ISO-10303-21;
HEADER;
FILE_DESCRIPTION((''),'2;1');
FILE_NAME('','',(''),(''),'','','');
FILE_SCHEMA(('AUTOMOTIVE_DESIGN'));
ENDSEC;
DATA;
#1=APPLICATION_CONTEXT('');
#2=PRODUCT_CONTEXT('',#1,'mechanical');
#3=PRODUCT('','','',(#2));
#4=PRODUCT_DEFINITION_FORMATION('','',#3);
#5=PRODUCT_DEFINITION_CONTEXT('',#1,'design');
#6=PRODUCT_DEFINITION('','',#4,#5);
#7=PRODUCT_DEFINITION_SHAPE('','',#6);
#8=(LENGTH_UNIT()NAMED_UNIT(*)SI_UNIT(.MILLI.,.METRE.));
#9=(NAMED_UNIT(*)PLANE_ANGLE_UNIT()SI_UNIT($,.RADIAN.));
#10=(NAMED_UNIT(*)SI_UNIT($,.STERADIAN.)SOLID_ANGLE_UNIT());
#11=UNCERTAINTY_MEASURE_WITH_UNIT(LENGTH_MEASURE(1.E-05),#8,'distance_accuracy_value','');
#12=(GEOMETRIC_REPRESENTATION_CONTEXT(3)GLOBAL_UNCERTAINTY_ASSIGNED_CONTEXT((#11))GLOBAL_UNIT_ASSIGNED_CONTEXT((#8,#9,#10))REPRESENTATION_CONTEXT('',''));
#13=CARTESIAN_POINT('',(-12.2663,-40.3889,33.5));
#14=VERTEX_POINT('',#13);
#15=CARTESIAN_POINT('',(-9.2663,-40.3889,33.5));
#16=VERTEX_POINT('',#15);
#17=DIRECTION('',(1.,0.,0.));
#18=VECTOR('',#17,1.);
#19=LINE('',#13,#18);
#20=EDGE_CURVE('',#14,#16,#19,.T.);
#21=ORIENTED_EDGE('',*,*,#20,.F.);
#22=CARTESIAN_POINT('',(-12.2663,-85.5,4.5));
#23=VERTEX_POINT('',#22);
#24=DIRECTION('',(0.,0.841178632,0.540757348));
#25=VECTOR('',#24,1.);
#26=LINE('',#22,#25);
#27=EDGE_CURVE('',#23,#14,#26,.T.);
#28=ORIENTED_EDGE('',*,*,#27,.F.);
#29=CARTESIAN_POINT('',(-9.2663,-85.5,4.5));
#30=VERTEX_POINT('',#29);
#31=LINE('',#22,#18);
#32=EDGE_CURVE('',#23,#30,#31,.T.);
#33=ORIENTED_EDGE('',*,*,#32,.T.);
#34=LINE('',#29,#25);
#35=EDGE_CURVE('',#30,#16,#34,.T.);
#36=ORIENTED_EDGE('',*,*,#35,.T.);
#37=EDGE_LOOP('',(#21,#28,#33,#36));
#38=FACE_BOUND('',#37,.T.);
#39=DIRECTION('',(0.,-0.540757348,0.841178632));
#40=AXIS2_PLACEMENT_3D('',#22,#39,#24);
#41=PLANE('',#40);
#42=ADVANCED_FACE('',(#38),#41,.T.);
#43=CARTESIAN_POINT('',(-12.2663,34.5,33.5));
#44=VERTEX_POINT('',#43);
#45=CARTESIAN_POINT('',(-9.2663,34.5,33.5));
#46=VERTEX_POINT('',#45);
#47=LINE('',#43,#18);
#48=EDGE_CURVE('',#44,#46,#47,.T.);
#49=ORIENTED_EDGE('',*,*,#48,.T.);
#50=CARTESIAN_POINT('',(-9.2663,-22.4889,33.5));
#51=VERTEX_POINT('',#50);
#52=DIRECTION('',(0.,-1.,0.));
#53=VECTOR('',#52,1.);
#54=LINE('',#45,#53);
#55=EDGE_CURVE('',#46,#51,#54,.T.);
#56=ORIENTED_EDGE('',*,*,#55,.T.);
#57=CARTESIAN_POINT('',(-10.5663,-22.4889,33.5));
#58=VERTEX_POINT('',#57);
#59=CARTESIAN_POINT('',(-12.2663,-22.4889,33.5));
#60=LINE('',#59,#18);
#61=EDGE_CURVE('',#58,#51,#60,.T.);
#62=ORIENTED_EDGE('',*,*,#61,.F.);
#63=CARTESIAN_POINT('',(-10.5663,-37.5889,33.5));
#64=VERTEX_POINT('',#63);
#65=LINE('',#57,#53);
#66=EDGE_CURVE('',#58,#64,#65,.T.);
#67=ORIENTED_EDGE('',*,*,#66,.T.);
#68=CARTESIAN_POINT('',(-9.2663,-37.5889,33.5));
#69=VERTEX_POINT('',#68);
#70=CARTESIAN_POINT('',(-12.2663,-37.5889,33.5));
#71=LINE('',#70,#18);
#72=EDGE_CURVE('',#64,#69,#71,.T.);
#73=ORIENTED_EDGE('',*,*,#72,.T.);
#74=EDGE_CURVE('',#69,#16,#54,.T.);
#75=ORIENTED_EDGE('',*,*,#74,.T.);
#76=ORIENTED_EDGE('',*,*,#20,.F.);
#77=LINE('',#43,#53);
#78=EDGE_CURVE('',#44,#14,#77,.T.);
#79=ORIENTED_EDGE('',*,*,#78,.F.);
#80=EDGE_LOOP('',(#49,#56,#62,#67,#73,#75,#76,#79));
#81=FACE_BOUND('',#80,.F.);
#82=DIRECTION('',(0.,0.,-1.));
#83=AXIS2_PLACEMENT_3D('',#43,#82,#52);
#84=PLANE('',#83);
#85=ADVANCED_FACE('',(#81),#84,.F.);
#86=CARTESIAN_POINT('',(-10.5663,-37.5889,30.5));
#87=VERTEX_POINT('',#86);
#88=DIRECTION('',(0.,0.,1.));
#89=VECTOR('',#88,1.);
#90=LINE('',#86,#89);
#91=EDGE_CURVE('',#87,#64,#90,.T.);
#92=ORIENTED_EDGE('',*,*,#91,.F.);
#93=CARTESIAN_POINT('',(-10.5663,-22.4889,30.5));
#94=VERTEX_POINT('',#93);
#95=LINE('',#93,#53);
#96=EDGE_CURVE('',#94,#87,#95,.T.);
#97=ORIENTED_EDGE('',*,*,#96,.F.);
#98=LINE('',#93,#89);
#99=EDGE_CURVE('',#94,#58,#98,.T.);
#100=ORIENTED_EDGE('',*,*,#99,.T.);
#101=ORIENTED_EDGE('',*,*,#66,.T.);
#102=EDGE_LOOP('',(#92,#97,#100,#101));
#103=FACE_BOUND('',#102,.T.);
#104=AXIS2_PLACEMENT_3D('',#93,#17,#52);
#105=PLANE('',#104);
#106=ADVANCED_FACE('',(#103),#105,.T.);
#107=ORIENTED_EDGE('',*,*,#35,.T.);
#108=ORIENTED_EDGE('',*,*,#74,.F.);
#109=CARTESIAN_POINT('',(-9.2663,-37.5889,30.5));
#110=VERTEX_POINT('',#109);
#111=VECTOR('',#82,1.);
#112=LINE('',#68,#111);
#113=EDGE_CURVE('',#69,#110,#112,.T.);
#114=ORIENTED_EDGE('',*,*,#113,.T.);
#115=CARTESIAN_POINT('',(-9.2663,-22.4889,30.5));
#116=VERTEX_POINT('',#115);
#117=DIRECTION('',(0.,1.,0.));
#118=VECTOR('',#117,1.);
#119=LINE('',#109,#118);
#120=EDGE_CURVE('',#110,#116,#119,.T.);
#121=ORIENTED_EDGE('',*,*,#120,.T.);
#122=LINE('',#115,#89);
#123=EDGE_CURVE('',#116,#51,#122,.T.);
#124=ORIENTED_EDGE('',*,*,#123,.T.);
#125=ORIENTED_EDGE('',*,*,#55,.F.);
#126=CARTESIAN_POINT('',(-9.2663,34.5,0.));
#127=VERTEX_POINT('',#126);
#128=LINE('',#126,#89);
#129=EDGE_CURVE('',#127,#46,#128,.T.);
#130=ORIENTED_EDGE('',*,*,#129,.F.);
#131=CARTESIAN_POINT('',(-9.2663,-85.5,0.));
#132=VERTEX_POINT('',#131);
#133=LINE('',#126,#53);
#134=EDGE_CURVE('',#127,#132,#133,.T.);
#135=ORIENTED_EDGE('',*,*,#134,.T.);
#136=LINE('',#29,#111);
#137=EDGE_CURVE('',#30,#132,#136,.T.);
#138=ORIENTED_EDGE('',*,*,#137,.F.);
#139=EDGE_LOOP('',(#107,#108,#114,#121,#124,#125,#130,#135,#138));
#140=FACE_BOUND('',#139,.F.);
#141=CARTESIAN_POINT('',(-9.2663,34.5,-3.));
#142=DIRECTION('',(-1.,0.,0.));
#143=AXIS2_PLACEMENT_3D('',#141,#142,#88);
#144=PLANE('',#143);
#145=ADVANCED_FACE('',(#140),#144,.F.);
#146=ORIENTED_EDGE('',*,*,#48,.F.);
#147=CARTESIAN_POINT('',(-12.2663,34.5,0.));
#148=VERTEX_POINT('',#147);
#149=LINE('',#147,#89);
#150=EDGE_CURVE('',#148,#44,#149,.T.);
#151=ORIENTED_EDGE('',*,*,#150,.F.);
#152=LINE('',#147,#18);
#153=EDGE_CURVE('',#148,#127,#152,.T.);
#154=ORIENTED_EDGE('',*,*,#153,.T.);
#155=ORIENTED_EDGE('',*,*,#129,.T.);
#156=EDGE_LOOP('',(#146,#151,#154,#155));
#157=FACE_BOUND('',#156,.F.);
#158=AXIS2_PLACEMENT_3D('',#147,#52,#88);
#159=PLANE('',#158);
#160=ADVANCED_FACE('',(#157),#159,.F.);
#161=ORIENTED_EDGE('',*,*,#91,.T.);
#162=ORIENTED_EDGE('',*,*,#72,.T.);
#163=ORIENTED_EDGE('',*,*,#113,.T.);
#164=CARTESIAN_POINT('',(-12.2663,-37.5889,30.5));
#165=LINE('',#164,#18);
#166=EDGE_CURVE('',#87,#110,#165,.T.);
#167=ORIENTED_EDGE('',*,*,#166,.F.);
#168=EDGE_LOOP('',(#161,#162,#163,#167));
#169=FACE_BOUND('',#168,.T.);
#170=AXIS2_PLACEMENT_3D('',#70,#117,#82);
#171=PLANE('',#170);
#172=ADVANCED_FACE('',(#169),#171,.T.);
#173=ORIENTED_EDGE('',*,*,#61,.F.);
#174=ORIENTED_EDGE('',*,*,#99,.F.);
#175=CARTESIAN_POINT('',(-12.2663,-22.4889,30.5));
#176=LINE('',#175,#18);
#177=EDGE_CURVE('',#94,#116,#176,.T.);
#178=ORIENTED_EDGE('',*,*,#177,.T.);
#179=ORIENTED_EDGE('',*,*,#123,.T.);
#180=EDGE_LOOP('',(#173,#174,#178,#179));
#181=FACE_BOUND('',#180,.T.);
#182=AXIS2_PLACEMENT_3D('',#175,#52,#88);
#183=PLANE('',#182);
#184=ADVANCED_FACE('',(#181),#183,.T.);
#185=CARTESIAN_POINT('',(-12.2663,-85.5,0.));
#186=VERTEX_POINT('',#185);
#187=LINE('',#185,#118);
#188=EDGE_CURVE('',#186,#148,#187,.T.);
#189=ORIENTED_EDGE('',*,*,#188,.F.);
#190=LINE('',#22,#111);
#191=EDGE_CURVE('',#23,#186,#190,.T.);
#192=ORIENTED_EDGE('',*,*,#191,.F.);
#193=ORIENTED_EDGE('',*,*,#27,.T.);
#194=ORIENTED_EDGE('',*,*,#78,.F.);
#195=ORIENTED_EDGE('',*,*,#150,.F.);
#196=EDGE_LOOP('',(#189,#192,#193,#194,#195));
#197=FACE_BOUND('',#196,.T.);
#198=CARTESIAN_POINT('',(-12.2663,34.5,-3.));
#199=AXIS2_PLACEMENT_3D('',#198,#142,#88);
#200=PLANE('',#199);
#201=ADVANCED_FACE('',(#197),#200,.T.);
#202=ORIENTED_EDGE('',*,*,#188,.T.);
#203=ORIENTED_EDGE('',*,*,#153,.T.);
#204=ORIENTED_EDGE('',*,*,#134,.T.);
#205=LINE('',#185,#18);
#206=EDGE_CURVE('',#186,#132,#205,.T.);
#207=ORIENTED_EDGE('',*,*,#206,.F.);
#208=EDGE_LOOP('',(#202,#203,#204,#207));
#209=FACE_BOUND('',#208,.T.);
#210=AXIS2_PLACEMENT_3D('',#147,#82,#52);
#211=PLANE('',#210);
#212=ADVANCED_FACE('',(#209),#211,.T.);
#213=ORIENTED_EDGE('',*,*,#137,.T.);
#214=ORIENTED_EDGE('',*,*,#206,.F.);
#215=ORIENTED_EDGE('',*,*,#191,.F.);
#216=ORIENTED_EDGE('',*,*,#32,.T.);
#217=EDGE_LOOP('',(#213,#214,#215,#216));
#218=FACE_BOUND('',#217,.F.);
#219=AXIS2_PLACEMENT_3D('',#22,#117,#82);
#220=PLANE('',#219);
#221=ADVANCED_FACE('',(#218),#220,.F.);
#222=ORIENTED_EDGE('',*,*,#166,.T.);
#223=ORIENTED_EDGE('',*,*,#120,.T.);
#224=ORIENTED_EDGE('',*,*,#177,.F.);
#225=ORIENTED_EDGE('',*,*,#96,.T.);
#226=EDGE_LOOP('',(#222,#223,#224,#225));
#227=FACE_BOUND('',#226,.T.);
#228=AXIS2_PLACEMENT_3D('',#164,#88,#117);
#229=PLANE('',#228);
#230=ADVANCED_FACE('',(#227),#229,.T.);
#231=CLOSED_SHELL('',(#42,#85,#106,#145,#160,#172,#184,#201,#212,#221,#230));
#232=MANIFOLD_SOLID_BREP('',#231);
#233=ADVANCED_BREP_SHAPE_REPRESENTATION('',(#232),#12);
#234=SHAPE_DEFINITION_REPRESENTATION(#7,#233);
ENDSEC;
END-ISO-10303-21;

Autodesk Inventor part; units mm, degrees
ref_plane "YZ Plane" through (0, 0, 0) normal (1, 0, 0) x (0, 1, 0)
ref_plane "XZ Plane" through (0, 0, 0) normal (0, 1, 0) x (-1, 0, 0)
ref_plane "XY Plane" through (0, 0, 0) normal (0, 0, 1) x (1, 0, 0)
ref_plane "Work Plane4" through (-12.2663, 34.5, -3) normal (-1, 0, 0) x (0, 0, 1)
sketch "Sketch4" plane through (-12.2663, 34.5, -3) normal (-1, 0, 0) x (0, 0, 1)
  line L0 (0, 0) -> (0, -108) projected
  line L1 (0, -108) -> (3, -108) projected
  line L2 (3, 0) -> (3, -108) projected
  line L3 (0, 0) -> (3, 0) projected
  circle A0 centre (13.5, 27.5) radius 25 projected
  line L4 (7.5, -120) -> (3, -120) projected
  line L5 (3, -120) -> (3, -124) projected
  line L6 (3, -124) -> (-0.5, -124) projected
  line L7 (-0.5, -124) -> (-0.5, -138) projected
  line L8 (-0.5, -138) -> (8.5, -124) projected
  line L9 (8.5, -124) -> (7.5, -124) projected
  line L10 (7.5, -124) -> (7.5, -120) projected
  line L11 (0, -111) -> (3, -111) projected
  line L12 (0, -111) -> (0, -124) projected
  line L13 (0, -124) -> (3, -124) projected
  line L14 (3, -111) -> (3, -124) projected
  line L15 (3, -111) -> (3, -108) projected
  line L16 (0, -108) -> (0, -111) projected
  line L17 (7.5, -120) -> (3, -120)
  line L18 (3, -120) -> (3, 0)
  line L19 (3, 0) -> (36.5, 0)
  line L20 (8.5, -124) -> (66.1149, -34.3768)
  line L21 (7.5, -120) -> (63.7229, -32.5421)
  line L22 (36.5, 0) -> (36.5, -74.8889)
  line L23 (36.5, -72.0889) -> (33.5, -72.0889)
  line L24 (33.5, -72.0889) -> (33.5, -56.9889)
  line L25 (33.5, -56.9889) -> (36.5, -56.9889)
  line L26 (36.5, -56.9889) -> (36.5, -72.0889)
  point P0 (3, -34.5)
  point P1 (38.5, 27.5)
  point P2 (36.5, -56.9889)
  dimension "d4" = 25
  dimension "d5" = 2
  dimension "d9" = 2.8
  dimension "d10" = 15.1
  dimension "d11" = 3
extrude "Extrusion1" add sketch "Sketch4" against normal blind 3 contours L19 L22 L25 L24 L23 L21 L4 L14 L15 L2
sketch "Sketch8" plane through (-12.2663, -37.5889, 30.5) normal (0, 0, 1) x (1, 0, 0)
  line L0 (22.5, 14.9) -> (2, 14.9) projected
  line L1 (1.9, 14.8) -> (1.9, 0.3) projected
  line L2 (2, 0.2) -> (22.5, 0.2) projected
  line L3 (0, 0) -> (0, 15.1) projected
  line L4 (0, 0) -> (3, 0) projected
  line L5 (3, 15.1) -> (3, 0) projected
  line L6 (0, 15.1) -> (3, 15.1) projected
  line L7 (0, -2.8) -> (0, 0) projected
  line L8 (0, -2.8) -> (3, -2.8) projected
  line L9 (3, 0) -> (3, -2.8) projected
  line L10 (0, 0) -> (3, 0) projected
  line L11 (0, 15.1) -> (0, 72.0889) projected
  line L12 (0, 15.1) -> (3, 15.1) projected
  line L13 (3, 72.0889) -> (3, 15.1) projected
  line L14 (0, 72.0889) -> (3, 72.0889) projected
  line L15 (0, 15.1) -> (1.7, 15.1)
  line L16 (1.7, 15.1) -> (1.7, 0)
  line L17 (1.7, 0) -> (0, 0)
  line L18 (0, 0) -> (0, 15.1)
  point P0 (12.2663, 37.5889)
  point P1 (1.7, 0)
  point P2 (1.7, 15.1)
  dimension "d12" = 0.2
extrude "Extrusion2" add sketch "Sketch8" along normal up to surface (3 mm away) contours L3 L6 L16 L4
properties part number "right_side"
